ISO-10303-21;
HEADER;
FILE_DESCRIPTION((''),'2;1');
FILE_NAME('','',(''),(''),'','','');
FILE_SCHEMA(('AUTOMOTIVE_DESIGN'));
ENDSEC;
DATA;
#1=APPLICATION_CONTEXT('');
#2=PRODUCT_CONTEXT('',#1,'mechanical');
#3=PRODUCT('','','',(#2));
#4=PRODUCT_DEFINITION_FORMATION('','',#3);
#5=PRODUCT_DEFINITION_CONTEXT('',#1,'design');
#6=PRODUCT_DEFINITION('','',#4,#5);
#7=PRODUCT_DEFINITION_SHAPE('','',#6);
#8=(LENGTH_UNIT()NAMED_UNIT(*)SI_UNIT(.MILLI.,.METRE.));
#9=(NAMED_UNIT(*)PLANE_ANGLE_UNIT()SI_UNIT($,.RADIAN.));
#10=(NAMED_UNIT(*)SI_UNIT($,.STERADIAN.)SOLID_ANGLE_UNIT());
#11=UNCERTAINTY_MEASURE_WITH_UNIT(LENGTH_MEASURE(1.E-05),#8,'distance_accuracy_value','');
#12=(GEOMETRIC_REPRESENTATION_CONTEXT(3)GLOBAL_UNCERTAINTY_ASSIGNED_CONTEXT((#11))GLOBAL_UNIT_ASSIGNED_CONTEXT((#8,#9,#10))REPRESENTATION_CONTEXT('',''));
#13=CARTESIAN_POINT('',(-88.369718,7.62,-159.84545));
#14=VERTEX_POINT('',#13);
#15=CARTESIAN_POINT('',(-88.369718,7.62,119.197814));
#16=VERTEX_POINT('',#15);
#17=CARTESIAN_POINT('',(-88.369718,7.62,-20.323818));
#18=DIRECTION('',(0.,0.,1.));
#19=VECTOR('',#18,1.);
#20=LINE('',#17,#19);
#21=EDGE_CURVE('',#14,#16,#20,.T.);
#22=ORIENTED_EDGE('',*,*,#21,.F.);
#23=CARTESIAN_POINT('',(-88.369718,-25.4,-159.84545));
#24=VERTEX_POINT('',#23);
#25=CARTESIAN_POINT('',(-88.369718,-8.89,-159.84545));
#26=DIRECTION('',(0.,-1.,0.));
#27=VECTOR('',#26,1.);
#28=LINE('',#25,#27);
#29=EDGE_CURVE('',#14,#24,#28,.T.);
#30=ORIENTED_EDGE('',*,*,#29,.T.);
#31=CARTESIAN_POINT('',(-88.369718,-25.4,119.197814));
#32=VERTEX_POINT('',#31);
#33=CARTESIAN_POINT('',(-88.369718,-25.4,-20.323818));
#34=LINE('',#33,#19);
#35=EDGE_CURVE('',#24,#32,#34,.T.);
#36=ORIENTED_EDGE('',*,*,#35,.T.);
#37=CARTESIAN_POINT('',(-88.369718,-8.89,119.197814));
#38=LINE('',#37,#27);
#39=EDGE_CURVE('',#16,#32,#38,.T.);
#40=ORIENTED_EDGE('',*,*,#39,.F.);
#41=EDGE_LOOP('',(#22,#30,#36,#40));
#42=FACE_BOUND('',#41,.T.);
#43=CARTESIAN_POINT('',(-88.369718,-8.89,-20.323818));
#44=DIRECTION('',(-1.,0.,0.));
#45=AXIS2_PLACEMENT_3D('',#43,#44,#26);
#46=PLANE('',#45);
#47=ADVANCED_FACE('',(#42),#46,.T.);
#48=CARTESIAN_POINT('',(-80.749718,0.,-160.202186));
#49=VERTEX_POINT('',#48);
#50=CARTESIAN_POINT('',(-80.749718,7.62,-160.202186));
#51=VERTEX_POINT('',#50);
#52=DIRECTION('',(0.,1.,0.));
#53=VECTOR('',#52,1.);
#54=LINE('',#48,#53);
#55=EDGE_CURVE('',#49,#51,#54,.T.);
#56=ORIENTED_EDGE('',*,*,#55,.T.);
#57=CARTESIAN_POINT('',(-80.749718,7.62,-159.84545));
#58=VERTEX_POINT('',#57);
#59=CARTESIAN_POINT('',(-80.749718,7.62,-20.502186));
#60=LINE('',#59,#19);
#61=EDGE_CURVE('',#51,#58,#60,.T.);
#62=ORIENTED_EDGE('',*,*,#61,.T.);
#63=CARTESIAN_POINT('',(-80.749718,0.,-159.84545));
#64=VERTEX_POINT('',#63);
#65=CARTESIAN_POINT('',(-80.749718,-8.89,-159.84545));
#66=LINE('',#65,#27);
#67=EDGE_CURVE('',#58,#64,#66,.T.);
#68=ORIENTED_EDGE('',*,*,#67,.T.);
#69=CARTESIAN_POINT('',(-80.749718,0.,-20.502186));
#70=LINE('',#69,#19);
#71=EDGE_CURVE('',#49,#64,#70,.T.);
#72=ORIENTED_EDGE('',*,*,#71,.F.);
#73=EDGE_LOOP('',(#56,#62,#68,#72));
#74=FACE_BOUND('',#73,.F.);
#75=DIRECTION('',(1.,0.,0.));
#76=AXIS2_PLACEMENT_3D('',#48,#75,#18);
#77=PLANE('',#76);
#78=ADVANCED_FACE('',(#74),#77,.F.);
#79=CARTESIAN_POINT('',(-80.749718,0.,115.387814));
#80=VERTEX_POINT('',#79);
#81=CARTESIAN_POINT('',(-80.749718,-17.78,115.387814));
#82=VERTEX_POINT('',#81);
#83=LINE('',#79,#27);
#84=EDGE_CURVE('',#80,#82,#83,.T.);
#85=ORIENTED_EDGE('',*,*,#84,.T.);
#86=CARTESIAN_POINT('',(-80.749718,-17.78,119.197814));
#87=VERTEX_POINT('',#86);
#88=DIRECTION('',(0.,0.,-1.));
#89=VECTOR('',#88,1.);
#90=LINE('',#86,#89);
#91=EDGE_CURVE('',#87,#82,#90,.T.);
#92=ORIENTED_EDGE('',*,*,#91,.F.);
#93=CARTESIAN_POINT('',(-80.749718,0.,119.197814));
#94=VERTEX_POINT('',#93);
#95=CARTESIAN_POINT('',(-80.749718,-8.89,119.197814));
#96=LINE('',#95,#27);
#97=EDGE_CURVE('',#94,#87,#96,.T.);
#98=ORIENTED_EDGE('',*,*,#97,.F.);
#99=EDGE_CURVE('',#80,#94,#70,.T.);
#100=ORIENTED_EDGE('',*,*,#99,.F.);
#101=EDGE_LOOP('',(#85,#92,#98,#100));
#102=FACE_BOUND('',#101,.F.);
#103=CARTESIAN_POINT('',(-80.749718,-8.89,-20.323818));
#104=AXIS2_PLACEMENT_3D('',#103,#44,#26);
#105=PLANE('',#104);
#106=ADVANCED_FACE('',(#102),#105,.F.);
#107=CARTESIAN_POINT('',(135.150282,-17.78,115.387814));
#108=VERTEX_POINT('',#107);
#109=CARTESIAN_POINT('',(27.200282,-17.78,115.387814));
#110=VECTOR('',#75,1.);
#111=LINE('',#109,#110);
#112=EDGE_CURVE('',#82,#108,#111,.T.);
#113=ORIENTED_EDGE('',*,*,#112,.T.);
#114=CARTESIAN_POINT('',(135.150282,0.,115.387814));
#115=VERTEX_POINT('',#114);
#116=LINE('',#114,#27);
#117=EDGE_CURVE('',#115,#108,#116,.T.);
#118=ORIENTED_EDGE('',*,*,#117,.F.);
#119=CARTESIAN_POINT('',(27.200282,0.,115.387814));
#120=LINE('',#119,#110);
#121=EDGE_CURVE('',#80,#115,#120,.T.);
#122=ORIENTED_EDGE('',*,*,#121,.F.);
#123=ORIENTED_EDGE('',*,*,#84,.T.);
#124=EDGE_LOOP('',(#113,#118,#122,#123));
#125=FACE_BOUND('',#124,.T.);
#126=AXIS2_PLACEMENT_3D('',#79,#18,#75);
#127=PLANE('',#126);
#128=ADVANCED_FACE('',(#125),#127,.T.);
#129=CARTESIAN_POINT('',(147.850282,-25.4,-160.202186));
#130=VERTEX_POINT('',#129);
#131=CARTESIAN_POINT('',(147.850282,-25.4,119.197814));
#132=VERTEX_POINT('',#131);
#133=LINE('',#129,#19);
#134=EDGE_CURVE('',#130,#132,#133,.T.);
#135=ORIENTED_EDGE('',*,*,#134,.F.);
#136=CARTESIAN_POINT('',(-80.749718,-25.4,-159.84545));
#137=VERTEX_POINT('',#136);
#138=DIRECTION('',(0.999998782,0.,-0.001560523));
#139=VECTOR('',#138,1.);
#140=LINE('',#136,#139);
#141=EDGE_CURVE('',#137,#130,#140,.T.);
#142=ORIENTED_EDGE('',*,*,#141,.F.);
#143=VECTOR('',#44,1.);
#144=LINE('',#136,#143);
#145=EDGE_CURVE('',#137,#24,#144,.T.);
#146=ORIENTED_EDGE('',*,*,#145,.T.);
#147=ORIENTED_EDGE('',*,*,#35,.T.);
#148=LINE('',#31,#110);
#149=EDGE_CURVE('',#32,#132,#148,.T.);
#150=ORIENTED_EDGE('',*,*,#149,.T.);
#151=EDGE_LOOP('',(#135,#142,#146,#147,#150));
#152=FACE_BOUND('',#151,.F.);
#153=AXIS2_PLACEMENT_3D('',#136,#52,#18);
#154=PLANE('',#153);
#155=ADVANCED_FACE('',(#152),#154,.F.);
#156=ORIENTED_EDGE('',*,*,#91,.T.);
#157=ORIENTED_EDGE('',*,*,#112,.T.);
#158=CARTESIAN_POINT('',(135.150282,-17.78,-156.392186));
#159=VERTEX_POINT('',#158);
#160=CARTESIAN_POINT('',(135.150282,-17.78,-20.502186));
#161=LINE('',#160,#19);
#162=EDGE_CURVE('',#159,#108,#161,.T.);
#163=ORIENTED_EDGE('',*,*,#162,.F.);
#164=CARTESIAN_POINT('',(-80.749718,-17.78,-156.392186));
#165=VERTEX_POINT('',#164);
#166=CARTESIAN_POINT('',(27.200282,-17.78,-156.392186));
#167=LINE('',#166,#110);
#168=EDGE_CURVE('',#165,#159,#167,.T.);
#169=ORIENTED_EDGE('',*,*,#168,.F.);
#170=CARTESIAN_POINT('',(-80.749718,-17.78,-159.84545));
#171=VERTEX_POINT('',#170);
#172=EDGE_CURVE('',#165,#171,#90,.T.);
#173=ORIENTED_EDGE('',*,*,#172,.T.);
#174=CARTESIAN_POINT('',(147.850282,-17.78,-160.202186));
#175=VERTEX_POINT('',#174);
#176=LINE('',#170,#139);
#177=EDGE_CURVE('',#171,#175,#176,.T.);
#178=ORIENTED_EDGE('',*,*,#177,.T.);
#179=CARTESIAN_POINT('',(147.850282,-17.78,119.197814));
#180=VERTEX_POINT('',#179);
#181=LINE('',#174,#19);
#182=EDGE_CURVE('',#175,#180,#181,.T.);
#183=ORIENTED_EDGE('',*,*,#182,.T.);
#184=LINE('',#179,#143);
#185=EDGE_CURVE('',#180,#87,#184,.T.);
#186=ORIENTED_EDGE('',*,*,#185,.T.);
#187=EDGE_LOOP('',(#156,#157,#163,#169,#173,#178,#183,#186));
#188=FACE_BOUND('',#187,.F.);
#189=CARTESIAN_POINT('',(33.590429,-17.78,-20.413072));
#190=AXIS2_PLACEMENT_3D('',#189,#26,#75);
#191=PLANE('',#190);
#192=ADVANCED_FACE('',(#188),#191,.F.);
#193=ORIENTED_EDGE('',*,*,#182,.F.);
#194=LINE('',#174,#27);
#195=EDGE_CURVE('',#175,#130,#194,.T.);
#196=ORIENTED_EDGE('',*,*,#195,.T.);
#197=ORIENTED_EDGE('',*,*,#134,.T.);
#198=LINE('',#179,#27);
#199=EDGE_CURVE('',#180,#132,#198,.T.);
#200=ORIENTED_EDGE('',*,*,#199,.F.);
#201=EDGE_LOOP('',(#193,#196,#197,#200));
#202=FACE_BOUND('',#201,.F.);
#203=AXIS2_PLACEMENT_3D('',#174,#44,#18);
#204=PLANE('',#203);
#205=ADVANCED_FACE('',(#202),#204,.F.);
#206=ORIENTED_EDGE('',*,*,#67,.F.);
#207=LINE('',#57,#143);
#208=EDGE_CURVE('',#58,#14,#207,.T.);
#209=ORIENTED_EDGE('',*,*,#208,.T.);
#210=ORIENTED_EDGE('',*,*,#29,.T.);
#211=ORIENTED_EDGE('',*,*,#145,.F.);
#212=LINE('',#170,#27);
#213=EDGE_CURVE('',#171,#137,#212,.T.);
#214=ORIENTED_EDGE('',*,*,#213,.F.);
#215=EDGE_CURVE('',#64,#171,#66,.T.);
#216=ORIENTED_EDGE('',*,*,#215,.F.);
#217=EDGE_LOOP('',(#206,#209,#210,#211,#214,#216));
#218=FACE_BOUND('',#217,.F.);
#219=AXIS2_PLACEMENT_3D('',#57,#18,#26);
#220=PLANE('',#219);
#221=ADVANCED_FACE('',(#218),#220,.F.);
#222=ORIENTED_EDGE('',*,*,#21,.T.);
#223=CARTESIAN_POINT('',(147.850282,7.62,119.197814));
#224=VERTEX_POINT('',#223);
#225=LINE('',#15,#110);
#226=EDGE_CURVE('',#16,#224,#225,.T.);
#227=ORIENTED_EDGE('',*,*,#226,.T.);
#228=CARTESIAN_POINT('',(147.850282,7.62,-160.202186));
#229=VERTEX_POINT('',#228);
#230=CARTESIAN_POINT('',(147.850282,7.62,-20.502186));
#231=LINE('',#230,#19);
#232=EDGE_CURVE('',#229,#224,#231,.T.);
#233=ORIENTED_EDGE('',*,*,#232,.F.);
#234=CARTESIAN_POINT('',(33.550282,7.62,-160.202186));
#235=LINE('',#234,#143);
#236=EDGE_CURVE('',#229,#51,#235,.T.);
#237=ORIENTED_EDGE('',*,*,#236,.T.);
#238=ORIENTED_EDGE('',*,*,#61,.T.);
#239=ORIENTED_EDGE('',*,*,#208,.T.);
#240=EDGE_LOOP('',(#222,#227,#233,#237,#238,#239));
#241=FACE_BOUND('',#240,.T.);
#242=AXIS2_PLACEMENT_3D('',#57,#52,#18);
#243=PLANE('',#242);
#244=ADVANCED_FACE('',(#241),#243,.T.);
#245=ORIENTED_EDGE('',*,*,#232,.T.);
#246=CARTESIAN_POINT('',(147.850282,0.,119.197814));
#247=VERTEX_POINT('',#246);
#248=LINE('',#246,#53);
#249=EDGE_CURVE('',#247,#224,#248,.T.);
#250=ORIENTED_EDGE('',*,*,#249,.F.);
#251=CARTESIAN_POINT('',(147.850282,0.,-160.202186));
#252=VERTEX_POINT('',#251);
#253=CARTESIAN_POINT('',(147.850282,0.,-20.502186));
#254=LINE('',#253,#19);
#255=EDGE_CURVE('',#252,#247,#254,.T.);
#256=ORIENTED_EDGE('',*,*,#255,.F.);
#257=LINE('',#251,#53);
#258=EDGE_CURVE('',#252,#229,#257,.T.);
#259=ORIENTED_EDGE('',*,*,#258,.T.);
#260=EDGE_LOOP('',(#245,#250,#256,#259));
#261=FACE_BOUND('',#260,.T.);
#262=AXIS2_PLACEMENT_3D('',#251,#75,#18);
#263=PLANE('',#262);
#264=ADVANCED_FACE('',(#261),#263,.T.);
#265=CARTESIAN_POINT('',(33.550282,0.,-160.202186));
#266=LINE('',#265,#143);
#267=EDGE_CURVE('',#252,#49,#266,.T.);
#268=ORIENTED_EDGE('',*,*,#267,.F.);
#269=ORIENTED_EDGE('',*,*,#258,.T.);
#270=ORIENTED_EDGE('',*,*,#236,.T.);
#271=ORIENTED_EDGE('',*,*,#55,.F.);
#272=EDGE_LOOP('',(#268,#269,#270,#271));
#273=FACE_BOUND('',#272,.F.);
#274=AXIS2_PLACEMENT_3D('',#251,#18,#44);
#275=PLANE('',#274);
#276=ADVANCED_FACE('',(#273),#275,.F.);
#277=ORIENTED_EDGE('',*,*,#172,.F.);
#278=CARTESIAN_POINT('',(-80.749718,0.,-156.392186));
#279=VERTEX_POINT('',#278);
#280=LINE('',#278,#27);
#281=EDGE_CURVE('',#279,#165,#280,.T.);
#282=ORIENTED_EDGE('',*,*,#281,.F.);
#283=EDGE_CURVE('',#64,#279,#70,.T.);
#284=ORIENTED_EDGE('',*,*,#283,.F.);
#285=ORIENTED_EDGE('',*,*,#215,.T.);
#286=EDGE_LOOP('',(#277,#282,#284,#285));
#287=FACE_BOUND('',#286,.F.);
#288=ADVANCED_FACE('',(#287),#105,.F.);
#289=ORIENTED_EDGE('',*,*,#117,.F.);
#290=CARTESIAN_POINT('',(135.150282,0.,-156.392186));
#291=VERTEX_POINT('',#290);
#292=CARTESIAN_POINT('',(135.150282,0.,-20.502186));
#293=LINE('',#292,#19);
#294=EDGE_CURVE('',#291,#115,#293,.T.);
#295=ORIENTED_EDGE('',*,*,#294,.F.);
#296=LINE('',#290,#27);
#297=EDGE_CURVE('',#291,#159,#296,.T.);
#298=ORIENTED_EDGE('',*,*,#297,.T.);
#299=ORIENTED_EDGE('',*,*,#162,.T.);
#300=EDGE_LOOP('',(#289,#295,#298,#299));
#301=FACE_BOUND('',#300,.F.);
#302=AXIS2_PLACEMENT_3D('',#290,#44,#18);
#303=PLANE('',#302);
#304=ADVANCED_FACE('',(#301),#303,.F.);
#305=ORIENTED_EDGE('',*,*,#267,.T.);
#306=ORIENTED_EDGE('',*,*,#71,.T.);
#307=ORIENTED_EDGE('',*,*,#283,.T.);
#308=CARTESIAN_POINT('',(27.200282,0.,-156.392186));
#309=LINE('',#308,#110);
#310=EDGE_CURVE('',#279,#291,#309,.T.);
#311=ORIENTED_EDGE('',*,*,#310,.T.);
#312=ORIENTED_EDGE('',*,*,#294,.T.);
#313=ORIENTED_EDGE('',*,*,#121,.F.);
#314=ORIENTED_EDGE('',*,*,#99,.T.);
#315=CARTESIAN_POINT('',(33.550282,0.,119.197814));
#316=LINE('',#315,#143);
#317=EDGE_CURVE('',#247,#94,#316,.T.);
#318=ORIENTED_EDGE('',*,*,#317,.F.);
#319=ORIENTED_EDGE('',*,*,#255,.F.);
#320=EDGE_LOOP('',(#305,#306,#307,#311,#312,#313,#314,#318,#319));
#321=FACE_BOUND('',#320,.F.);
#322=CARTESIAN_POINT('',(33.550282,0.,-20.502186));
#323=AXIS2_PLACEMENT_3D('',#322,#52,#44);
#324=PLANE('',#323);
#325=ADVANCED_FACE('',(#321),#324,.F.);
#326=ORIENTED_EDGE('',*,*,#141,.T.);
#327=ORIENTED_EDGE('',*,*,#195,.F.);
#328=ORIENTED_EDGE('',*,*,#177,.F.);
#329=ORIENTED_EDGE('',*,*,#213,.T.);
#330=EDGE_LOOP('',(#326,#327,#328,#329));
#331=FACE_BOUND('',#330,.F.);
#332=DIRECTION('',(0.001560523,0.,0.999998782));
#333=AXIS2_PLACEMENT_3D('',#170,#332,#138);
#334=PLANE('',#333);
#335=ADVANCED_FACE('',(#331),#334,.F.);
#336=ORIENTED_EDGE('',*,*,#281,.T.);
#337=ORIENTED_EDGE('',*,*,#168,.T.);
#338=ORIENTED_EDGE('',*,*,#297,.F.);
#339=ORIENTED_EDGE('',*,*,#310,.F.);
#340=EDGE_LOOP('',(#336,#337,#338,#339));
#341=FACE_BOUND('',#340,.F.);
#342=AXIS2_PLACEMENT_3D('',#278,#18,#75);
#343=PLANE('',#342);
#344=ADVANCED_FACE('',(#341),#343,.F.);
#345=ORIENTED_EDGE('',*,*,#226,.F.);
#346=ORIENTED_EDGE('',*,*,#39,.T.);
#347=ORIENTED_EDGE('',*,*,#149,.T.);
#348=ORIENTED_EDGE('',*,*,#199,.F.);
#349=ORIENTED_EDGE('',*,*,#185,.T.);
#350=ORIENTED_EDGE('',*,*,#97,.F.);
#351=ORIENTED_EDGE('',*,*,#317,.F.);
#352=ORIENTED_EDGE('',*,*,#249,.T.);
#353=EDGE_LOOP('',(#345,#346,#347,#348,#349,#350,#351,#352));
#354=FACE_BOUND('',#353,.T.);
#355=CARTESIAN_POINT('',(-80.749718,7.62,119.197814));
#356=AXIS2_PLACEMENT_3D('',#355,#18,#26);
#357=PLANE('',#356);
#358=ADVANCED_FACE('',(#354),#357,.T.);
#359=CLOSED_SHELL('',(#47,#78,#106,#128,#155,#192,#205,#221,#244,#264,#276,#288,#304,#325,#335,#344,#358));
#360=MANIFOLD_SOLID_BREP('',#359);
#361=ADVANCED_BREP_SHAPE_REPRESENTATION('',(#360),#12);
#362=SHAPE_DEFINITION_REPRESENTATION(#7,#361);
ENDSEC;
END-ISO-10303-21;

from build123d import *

# Parameters (mm, degrees)
F0_W     = 215.9
F0_H     = 271.78
F1_DEPTH = 17.78
F4_DEPTH = 7.62
F3_W     = 228.6
F3_H     = 279.4
F5_DEPTH = 7.62
F6_W     = 33.02
F6_H     = 279.043264
F7_DEPTH = 7.62


with BuildPart() as f1:
    # F0 (on Front) → F1 (new body)
    with BuildSketch(Plane.XZ):
        with Locations((27.200282, -20.502186)):
            Rectangle(F0_W, F0_H)
    extrude(amount=F1_DEPTH)

    # F2 (on face) → F4 (join)
    with BuildSketch(Plane.XZ.offset(17.78)):
        Polygon((147.850282, -160.202186), (147.850282, 119.197814), (-80.749718, 119.197814), (-80.749718, -159.84545), align=None)
    extrude(amount=F4_DEPTH)

    # F3 (on face) → F5 (join)
    with BuildSketch(Plane(origin=(0, 0, 0), x_dir=(-1, 0, 0), z_dir=(0, 1, 0))):
        with Locations((-33.550282, -20.502186)):
            Rectangle(F3_W, F3_H)
    extrude(amount=F5_DEPTH)

    # F6 (on face) → F7 (join)
    with BuildSketch(Plane(origin=(-80.749718, 0, 0), x_dir=(0, -1, 0), z_dir=(-1, 0, 0))):
        with Locations((8.89, -20.323818)):
            Rectangle(F6_W, F6_H)
    extrude(amount=F7_DEPTH)


solid = f1.part
